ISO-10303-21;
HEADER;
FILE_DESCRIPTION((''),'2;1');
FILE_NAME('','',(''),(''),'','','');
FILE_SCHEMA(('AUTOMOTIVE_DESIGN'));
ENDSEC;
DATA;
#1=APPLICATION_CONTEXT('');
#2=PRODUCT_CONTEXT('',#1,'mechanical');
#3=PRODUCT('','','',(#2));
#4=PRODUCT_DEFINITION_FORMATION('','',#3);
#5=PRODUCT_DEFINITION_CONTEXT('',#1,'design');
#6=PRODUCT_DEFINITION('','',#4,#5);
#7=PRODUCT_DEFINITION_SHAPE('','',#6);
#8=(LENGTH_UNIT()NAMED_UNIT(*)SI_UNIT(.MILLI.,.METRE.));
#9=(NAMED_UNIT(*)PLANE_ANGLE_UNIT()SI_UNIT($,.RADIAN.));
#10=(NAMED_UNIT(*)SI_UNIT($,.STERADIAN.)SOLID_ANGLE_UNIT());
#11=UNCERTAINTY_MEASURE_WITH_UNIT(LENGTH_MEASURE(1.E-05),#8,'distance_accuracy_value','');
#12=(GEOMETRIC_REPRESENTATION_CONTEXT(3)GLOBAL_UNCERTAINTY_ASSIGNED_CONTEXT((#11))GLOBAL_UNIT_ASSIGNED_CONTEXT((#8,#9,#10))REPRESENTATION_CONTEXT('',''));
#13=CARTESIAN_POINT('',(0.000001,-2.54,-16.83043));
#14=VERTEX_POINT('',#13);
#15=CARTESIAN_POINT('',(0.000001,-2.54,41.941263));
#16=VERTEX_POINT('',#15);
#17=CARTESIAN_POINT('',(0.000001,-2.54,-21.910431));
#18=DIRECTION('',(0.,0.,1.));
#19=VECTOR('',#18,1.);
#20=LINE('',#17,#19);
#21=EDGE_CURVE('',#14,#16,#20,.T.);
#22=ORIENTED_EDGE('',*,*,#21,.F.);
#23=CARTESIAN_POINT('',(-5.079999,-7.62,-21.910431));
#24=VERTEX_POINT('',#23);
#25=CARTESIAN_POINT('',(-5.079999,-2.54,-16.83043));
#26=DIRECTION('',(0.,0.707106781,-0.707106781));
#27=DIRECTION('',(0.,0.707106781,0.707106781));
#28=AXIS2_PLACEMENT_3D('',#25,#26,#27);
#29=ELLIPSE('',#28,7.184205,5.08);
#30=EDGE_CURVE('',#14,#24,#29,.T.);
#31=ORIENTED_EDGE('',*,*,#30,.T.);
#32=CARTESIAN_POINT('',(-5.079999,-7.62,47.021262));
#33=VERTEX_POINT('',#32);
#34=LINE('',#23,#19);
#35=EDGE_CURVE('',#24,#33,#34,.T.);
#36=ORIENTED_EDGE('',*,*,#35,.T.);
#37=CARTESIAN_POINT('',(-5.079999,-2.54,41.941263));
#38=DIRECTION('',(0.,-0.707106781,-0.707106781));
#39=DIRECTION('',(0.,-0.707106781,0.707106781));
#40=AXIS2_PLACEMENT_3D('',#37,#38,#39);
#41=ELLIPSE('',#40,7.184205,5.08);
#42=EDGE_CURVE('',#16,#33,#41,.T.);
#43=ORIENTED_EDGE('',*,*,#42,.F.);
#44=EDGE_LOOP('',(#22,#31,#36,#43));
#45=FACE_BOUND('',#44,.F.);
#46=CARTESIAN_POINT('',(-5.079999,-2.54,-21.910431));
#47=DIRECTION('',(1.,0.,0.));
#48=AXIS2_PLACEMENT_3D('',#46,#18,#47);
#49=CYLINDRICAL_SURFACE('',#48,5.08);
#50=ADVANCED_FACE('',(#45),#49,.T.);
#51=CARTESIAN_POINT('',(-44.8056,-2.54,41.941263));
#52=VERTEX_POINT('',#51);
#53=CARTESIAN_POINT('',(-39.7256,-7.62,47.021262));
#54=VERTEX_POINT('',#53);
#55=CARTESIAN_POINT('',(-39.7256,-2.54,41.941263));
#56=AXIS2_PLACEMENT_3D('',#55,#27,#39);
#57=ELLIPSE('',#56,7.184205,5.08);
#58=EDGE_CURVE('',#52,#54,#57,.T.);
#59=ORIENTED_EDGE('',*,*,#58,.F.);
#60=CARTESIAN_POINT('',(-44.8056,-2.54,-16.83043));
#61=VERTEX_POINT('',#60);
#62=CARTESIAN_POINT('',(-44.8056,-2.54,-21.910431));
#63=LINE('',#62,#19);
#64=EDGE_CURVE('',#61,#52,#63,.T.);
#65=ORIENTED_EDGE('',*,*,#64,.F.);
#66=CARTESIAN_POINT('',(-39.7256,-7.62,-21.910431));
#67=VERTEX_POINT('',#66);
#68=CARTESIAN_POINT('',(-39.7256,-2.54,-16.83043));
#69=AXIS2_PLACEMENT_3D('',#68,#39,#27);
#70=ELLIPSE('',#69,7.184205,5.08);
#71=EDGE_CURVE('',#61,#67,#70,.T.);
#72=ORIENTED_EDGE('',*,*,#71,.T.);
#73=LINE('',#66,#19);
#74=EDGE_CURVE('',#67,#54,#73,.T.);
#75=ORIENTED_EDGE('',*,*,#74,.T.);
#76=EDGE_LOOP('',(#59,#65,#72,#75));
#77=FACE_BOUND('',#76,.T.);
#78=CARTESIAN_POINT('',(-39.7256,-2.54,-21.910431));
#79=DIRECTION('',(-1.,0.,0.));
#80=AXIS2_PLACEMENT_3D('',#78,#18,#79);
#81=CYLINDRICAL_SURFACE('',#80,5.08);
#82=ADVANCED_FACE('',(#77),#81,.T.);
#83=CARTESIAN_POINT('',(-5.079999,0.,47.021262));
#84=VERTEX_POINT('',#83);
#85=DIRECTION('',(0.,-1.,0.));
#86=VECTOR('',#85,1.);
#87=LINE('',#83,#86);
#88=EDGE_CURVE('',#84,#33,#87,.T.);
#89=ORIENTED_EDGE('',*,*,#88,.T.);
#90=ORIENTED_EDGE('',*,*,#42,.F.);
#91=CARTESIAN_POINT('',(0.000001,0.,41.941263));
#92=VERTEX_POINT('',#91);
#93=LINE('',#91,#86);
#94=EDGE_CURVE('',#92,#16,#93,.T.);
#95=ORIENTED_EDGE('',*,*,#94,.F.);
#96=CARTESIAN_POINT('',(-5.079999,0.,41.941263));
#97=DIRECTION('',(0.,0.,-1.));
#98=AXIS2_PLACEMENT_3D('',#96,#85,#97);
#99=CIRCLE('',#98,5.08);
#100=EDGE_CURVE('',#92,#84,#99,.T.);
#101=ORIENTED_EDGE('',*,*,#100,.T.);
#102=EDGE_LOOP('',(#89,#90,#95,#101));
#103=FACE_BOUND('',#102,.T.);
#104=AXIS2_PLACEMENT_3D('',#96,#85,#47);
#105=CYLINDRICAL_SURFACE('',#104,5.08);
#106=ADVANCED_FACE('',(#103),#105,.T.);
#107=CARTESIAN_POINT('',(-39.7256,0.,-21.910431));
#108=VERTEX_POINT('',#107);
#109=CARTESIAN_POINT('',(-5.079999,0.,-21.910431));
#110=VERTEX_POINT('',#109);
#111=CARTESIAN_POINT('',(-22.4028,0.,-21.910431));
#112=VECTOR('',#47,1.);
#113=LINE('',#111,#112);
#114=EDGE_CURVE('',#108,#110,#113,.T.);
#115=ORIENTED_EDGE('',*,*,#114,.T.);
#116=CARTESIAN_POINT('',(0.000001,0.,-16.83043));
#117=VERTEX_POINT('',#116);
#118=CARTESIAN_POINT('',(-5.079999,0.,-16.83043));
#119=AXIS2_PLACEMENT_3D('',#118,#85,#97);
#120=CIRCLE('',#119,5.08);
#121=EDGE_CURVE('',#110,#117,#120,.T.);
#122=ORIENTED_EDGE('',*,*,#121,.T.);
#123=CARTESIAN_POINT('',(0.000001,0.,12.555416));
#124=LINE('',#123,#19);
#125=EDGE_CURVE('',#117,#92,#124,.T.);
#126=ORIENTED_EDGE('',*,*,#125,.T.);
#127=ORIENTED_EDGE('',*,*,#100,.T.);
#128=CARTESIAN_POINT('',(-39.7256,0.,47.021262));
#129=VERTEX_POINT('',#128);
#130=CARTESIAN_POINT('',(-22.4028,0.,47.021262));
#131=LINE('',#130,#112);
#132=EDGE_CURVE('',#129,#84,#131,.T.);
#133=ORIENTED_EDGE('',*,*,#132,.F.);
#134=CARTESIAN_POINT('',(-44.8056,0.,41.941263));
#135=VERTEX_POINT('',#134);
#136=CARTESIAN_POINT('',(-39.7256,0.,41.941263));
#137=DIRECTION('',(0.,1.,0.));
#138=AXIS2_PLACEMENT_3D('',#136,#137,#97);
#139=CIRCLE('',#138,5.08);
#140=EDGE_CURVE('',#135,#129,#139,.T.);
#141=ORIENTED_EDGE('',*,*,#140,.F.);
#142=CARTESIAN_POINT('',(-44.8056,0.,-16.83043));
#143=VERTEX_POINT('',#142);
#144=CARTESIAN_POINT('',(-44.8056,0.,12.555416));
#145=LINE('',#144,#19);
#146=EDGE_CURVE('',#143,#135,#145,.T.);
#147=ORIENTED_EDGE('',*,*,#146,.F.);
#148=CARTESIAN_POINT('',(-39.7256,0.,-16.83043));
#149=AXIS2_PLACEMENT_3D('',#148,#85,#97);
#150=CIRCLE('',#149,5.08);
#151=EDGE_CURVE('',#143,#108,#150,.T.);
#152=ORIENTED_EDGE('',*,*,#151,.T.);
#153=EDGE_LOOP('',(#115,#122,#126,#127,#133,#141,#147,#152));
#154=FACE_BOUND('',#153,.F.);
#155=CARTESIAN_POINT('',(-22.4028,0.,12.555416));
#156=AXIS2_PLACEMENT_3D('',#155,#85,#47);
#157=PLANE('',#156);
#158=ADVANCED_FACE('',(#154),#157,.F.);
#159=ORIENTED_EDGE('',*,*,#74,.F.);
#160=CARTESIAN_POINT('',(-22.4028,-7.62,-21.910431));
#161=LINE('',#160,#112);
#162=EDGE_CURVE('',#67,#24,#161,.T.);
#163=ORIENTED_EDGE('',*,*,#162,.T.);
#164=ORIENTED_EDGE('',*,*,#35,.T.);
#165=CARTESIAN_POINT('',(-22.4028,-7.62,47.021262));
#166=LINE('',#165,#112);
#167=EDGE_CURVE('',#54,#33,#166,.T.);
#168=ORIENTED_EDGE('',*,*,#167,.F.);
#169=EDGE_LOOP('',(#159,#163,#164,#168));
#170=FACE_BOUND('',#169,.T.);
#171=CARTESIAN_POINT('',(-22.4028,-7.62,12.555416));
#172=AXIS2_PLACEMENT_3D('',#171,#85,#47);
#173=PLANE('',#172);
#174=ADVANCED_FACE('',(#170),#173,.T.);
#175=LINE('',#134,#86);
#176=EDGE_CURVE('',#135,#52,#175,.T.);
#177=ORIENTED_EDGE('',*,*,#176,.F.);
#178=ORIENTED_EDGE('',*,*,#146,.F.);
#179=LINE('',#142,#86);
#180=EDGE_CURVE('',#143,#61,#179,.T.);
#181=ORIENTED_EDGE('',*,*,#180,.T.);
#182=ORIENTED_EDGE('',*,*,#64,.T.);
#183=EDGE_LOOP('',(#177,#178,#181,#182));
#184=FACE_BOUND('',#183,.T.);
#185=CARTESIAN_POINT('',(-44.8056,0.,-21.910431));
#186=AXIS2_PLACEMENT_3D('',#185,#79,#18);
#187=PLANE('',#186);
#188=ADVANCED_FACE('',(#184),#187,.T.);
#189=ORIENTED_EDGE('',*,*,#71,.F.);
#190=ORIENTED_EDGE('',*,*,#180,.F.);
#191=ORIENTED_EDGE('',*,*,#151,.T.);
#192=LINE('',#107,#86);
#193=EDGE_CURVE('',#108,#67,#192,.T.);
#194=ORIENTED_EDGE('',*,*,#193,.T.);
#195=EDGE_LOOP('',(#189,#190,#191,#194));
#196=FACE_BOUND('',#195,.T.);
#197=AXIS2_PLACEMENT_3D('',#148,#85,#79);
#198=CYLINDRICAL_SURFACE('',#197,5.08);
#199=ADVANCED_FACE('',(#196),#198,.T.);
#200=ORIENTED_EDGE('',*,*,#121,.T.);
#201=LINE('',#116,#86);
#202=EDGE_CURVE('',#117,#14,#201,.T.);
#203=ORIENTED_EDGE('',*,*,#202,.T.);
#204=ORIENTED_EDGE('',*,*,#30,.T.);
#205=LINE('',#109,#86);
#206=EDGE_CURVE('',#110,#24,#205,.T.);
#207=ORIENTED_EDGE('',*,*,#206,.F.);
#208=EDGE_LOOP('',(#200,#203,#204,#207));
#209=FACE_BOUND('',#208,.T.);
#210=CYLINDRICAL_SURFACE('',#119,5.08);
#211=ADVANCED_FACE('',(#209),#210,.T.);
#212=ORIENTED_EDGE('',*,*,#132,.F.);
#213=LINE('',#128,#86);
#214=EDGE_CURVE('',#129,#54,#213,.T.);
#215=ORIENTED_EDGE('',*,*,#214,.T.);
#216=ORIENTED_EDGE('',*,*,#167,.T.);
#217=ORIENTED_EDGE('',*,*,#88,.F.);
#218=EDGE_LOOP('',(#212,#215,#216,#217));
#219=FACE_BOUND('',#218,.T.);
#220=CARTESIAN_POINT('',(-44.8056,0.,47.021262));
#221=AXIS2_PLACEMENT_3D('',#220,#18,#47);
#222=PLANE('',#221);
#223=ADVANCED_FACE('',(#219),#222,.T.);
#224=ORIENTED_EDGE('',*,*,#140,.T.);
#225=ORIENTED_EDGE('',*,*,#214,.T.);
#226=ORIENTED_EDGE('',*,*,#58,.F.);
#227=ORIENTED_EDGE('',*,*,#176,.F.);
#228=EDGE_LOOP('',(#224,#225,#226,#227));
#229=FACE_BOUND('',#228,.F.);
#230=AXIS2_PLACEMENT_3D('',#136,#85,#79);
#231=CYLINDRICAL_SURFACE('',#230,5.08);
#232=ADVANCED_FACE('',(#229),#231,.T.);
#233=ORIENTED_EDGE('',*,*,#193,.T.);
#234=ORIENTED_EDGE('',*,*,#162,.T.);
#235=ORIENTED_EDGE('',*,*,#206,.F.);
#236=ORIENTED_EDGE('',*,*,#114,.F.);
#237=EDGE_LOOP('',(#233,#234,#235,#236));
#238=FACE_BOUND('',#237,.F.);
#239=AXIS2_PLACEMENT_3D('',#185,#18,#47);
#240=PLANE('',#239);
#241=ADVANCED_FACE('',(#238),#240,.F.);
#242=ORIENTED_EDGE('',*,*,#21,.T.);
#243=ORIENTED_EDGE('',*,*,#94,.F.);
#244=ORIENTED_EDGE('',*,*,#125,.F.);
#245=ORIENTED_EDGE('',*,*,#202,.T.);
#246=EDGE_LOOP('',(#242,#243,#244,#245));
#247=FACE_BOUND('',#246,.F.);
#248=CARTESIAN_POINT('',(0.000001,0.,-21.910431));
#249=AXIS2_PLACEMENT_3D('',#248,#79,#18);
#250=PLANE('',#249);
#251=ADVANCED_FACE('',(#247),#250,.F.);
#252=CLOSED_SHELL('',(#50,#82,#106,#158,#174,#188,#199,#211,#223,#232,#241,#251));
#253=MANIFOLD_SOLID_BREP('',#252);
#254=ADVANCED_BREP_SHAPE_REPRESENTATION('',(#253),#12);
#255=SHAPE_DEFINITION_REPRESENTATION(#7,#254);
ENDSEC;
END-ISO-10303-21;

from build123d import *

# Parameters (mm, degrees)
F0_W     = 44.805601
F0_H     = 68.931693
F1_DEPTH = 7.62
F2_R     = 5.08


with BuildPart() as f1:
    # F0 (on Front) → F1 (new body)
    with BuildSketch(Plane.XZ):
        with Locations((-22.4028, 12.555416)):
            Rectangle(F0_W, F0_H)
    extrude(amount=F1_DEPTH)

    # F2
    f2_edges = [f1.edges().sort_by_distance(p)[0] for p in [
        (0, -7.62, 12.555416),
        (-44.805601, -7.62, 12.555416),
        (0, -3.81, 47.021262),
        (-44.805601, -3.81, 47.021262),
        (-44.805601, -3.81, -21.910431),
        (0, -3.81, -21.910431),
    ]]
    fillet(f2_edges, radius=F2_R)


solid = f1.part
